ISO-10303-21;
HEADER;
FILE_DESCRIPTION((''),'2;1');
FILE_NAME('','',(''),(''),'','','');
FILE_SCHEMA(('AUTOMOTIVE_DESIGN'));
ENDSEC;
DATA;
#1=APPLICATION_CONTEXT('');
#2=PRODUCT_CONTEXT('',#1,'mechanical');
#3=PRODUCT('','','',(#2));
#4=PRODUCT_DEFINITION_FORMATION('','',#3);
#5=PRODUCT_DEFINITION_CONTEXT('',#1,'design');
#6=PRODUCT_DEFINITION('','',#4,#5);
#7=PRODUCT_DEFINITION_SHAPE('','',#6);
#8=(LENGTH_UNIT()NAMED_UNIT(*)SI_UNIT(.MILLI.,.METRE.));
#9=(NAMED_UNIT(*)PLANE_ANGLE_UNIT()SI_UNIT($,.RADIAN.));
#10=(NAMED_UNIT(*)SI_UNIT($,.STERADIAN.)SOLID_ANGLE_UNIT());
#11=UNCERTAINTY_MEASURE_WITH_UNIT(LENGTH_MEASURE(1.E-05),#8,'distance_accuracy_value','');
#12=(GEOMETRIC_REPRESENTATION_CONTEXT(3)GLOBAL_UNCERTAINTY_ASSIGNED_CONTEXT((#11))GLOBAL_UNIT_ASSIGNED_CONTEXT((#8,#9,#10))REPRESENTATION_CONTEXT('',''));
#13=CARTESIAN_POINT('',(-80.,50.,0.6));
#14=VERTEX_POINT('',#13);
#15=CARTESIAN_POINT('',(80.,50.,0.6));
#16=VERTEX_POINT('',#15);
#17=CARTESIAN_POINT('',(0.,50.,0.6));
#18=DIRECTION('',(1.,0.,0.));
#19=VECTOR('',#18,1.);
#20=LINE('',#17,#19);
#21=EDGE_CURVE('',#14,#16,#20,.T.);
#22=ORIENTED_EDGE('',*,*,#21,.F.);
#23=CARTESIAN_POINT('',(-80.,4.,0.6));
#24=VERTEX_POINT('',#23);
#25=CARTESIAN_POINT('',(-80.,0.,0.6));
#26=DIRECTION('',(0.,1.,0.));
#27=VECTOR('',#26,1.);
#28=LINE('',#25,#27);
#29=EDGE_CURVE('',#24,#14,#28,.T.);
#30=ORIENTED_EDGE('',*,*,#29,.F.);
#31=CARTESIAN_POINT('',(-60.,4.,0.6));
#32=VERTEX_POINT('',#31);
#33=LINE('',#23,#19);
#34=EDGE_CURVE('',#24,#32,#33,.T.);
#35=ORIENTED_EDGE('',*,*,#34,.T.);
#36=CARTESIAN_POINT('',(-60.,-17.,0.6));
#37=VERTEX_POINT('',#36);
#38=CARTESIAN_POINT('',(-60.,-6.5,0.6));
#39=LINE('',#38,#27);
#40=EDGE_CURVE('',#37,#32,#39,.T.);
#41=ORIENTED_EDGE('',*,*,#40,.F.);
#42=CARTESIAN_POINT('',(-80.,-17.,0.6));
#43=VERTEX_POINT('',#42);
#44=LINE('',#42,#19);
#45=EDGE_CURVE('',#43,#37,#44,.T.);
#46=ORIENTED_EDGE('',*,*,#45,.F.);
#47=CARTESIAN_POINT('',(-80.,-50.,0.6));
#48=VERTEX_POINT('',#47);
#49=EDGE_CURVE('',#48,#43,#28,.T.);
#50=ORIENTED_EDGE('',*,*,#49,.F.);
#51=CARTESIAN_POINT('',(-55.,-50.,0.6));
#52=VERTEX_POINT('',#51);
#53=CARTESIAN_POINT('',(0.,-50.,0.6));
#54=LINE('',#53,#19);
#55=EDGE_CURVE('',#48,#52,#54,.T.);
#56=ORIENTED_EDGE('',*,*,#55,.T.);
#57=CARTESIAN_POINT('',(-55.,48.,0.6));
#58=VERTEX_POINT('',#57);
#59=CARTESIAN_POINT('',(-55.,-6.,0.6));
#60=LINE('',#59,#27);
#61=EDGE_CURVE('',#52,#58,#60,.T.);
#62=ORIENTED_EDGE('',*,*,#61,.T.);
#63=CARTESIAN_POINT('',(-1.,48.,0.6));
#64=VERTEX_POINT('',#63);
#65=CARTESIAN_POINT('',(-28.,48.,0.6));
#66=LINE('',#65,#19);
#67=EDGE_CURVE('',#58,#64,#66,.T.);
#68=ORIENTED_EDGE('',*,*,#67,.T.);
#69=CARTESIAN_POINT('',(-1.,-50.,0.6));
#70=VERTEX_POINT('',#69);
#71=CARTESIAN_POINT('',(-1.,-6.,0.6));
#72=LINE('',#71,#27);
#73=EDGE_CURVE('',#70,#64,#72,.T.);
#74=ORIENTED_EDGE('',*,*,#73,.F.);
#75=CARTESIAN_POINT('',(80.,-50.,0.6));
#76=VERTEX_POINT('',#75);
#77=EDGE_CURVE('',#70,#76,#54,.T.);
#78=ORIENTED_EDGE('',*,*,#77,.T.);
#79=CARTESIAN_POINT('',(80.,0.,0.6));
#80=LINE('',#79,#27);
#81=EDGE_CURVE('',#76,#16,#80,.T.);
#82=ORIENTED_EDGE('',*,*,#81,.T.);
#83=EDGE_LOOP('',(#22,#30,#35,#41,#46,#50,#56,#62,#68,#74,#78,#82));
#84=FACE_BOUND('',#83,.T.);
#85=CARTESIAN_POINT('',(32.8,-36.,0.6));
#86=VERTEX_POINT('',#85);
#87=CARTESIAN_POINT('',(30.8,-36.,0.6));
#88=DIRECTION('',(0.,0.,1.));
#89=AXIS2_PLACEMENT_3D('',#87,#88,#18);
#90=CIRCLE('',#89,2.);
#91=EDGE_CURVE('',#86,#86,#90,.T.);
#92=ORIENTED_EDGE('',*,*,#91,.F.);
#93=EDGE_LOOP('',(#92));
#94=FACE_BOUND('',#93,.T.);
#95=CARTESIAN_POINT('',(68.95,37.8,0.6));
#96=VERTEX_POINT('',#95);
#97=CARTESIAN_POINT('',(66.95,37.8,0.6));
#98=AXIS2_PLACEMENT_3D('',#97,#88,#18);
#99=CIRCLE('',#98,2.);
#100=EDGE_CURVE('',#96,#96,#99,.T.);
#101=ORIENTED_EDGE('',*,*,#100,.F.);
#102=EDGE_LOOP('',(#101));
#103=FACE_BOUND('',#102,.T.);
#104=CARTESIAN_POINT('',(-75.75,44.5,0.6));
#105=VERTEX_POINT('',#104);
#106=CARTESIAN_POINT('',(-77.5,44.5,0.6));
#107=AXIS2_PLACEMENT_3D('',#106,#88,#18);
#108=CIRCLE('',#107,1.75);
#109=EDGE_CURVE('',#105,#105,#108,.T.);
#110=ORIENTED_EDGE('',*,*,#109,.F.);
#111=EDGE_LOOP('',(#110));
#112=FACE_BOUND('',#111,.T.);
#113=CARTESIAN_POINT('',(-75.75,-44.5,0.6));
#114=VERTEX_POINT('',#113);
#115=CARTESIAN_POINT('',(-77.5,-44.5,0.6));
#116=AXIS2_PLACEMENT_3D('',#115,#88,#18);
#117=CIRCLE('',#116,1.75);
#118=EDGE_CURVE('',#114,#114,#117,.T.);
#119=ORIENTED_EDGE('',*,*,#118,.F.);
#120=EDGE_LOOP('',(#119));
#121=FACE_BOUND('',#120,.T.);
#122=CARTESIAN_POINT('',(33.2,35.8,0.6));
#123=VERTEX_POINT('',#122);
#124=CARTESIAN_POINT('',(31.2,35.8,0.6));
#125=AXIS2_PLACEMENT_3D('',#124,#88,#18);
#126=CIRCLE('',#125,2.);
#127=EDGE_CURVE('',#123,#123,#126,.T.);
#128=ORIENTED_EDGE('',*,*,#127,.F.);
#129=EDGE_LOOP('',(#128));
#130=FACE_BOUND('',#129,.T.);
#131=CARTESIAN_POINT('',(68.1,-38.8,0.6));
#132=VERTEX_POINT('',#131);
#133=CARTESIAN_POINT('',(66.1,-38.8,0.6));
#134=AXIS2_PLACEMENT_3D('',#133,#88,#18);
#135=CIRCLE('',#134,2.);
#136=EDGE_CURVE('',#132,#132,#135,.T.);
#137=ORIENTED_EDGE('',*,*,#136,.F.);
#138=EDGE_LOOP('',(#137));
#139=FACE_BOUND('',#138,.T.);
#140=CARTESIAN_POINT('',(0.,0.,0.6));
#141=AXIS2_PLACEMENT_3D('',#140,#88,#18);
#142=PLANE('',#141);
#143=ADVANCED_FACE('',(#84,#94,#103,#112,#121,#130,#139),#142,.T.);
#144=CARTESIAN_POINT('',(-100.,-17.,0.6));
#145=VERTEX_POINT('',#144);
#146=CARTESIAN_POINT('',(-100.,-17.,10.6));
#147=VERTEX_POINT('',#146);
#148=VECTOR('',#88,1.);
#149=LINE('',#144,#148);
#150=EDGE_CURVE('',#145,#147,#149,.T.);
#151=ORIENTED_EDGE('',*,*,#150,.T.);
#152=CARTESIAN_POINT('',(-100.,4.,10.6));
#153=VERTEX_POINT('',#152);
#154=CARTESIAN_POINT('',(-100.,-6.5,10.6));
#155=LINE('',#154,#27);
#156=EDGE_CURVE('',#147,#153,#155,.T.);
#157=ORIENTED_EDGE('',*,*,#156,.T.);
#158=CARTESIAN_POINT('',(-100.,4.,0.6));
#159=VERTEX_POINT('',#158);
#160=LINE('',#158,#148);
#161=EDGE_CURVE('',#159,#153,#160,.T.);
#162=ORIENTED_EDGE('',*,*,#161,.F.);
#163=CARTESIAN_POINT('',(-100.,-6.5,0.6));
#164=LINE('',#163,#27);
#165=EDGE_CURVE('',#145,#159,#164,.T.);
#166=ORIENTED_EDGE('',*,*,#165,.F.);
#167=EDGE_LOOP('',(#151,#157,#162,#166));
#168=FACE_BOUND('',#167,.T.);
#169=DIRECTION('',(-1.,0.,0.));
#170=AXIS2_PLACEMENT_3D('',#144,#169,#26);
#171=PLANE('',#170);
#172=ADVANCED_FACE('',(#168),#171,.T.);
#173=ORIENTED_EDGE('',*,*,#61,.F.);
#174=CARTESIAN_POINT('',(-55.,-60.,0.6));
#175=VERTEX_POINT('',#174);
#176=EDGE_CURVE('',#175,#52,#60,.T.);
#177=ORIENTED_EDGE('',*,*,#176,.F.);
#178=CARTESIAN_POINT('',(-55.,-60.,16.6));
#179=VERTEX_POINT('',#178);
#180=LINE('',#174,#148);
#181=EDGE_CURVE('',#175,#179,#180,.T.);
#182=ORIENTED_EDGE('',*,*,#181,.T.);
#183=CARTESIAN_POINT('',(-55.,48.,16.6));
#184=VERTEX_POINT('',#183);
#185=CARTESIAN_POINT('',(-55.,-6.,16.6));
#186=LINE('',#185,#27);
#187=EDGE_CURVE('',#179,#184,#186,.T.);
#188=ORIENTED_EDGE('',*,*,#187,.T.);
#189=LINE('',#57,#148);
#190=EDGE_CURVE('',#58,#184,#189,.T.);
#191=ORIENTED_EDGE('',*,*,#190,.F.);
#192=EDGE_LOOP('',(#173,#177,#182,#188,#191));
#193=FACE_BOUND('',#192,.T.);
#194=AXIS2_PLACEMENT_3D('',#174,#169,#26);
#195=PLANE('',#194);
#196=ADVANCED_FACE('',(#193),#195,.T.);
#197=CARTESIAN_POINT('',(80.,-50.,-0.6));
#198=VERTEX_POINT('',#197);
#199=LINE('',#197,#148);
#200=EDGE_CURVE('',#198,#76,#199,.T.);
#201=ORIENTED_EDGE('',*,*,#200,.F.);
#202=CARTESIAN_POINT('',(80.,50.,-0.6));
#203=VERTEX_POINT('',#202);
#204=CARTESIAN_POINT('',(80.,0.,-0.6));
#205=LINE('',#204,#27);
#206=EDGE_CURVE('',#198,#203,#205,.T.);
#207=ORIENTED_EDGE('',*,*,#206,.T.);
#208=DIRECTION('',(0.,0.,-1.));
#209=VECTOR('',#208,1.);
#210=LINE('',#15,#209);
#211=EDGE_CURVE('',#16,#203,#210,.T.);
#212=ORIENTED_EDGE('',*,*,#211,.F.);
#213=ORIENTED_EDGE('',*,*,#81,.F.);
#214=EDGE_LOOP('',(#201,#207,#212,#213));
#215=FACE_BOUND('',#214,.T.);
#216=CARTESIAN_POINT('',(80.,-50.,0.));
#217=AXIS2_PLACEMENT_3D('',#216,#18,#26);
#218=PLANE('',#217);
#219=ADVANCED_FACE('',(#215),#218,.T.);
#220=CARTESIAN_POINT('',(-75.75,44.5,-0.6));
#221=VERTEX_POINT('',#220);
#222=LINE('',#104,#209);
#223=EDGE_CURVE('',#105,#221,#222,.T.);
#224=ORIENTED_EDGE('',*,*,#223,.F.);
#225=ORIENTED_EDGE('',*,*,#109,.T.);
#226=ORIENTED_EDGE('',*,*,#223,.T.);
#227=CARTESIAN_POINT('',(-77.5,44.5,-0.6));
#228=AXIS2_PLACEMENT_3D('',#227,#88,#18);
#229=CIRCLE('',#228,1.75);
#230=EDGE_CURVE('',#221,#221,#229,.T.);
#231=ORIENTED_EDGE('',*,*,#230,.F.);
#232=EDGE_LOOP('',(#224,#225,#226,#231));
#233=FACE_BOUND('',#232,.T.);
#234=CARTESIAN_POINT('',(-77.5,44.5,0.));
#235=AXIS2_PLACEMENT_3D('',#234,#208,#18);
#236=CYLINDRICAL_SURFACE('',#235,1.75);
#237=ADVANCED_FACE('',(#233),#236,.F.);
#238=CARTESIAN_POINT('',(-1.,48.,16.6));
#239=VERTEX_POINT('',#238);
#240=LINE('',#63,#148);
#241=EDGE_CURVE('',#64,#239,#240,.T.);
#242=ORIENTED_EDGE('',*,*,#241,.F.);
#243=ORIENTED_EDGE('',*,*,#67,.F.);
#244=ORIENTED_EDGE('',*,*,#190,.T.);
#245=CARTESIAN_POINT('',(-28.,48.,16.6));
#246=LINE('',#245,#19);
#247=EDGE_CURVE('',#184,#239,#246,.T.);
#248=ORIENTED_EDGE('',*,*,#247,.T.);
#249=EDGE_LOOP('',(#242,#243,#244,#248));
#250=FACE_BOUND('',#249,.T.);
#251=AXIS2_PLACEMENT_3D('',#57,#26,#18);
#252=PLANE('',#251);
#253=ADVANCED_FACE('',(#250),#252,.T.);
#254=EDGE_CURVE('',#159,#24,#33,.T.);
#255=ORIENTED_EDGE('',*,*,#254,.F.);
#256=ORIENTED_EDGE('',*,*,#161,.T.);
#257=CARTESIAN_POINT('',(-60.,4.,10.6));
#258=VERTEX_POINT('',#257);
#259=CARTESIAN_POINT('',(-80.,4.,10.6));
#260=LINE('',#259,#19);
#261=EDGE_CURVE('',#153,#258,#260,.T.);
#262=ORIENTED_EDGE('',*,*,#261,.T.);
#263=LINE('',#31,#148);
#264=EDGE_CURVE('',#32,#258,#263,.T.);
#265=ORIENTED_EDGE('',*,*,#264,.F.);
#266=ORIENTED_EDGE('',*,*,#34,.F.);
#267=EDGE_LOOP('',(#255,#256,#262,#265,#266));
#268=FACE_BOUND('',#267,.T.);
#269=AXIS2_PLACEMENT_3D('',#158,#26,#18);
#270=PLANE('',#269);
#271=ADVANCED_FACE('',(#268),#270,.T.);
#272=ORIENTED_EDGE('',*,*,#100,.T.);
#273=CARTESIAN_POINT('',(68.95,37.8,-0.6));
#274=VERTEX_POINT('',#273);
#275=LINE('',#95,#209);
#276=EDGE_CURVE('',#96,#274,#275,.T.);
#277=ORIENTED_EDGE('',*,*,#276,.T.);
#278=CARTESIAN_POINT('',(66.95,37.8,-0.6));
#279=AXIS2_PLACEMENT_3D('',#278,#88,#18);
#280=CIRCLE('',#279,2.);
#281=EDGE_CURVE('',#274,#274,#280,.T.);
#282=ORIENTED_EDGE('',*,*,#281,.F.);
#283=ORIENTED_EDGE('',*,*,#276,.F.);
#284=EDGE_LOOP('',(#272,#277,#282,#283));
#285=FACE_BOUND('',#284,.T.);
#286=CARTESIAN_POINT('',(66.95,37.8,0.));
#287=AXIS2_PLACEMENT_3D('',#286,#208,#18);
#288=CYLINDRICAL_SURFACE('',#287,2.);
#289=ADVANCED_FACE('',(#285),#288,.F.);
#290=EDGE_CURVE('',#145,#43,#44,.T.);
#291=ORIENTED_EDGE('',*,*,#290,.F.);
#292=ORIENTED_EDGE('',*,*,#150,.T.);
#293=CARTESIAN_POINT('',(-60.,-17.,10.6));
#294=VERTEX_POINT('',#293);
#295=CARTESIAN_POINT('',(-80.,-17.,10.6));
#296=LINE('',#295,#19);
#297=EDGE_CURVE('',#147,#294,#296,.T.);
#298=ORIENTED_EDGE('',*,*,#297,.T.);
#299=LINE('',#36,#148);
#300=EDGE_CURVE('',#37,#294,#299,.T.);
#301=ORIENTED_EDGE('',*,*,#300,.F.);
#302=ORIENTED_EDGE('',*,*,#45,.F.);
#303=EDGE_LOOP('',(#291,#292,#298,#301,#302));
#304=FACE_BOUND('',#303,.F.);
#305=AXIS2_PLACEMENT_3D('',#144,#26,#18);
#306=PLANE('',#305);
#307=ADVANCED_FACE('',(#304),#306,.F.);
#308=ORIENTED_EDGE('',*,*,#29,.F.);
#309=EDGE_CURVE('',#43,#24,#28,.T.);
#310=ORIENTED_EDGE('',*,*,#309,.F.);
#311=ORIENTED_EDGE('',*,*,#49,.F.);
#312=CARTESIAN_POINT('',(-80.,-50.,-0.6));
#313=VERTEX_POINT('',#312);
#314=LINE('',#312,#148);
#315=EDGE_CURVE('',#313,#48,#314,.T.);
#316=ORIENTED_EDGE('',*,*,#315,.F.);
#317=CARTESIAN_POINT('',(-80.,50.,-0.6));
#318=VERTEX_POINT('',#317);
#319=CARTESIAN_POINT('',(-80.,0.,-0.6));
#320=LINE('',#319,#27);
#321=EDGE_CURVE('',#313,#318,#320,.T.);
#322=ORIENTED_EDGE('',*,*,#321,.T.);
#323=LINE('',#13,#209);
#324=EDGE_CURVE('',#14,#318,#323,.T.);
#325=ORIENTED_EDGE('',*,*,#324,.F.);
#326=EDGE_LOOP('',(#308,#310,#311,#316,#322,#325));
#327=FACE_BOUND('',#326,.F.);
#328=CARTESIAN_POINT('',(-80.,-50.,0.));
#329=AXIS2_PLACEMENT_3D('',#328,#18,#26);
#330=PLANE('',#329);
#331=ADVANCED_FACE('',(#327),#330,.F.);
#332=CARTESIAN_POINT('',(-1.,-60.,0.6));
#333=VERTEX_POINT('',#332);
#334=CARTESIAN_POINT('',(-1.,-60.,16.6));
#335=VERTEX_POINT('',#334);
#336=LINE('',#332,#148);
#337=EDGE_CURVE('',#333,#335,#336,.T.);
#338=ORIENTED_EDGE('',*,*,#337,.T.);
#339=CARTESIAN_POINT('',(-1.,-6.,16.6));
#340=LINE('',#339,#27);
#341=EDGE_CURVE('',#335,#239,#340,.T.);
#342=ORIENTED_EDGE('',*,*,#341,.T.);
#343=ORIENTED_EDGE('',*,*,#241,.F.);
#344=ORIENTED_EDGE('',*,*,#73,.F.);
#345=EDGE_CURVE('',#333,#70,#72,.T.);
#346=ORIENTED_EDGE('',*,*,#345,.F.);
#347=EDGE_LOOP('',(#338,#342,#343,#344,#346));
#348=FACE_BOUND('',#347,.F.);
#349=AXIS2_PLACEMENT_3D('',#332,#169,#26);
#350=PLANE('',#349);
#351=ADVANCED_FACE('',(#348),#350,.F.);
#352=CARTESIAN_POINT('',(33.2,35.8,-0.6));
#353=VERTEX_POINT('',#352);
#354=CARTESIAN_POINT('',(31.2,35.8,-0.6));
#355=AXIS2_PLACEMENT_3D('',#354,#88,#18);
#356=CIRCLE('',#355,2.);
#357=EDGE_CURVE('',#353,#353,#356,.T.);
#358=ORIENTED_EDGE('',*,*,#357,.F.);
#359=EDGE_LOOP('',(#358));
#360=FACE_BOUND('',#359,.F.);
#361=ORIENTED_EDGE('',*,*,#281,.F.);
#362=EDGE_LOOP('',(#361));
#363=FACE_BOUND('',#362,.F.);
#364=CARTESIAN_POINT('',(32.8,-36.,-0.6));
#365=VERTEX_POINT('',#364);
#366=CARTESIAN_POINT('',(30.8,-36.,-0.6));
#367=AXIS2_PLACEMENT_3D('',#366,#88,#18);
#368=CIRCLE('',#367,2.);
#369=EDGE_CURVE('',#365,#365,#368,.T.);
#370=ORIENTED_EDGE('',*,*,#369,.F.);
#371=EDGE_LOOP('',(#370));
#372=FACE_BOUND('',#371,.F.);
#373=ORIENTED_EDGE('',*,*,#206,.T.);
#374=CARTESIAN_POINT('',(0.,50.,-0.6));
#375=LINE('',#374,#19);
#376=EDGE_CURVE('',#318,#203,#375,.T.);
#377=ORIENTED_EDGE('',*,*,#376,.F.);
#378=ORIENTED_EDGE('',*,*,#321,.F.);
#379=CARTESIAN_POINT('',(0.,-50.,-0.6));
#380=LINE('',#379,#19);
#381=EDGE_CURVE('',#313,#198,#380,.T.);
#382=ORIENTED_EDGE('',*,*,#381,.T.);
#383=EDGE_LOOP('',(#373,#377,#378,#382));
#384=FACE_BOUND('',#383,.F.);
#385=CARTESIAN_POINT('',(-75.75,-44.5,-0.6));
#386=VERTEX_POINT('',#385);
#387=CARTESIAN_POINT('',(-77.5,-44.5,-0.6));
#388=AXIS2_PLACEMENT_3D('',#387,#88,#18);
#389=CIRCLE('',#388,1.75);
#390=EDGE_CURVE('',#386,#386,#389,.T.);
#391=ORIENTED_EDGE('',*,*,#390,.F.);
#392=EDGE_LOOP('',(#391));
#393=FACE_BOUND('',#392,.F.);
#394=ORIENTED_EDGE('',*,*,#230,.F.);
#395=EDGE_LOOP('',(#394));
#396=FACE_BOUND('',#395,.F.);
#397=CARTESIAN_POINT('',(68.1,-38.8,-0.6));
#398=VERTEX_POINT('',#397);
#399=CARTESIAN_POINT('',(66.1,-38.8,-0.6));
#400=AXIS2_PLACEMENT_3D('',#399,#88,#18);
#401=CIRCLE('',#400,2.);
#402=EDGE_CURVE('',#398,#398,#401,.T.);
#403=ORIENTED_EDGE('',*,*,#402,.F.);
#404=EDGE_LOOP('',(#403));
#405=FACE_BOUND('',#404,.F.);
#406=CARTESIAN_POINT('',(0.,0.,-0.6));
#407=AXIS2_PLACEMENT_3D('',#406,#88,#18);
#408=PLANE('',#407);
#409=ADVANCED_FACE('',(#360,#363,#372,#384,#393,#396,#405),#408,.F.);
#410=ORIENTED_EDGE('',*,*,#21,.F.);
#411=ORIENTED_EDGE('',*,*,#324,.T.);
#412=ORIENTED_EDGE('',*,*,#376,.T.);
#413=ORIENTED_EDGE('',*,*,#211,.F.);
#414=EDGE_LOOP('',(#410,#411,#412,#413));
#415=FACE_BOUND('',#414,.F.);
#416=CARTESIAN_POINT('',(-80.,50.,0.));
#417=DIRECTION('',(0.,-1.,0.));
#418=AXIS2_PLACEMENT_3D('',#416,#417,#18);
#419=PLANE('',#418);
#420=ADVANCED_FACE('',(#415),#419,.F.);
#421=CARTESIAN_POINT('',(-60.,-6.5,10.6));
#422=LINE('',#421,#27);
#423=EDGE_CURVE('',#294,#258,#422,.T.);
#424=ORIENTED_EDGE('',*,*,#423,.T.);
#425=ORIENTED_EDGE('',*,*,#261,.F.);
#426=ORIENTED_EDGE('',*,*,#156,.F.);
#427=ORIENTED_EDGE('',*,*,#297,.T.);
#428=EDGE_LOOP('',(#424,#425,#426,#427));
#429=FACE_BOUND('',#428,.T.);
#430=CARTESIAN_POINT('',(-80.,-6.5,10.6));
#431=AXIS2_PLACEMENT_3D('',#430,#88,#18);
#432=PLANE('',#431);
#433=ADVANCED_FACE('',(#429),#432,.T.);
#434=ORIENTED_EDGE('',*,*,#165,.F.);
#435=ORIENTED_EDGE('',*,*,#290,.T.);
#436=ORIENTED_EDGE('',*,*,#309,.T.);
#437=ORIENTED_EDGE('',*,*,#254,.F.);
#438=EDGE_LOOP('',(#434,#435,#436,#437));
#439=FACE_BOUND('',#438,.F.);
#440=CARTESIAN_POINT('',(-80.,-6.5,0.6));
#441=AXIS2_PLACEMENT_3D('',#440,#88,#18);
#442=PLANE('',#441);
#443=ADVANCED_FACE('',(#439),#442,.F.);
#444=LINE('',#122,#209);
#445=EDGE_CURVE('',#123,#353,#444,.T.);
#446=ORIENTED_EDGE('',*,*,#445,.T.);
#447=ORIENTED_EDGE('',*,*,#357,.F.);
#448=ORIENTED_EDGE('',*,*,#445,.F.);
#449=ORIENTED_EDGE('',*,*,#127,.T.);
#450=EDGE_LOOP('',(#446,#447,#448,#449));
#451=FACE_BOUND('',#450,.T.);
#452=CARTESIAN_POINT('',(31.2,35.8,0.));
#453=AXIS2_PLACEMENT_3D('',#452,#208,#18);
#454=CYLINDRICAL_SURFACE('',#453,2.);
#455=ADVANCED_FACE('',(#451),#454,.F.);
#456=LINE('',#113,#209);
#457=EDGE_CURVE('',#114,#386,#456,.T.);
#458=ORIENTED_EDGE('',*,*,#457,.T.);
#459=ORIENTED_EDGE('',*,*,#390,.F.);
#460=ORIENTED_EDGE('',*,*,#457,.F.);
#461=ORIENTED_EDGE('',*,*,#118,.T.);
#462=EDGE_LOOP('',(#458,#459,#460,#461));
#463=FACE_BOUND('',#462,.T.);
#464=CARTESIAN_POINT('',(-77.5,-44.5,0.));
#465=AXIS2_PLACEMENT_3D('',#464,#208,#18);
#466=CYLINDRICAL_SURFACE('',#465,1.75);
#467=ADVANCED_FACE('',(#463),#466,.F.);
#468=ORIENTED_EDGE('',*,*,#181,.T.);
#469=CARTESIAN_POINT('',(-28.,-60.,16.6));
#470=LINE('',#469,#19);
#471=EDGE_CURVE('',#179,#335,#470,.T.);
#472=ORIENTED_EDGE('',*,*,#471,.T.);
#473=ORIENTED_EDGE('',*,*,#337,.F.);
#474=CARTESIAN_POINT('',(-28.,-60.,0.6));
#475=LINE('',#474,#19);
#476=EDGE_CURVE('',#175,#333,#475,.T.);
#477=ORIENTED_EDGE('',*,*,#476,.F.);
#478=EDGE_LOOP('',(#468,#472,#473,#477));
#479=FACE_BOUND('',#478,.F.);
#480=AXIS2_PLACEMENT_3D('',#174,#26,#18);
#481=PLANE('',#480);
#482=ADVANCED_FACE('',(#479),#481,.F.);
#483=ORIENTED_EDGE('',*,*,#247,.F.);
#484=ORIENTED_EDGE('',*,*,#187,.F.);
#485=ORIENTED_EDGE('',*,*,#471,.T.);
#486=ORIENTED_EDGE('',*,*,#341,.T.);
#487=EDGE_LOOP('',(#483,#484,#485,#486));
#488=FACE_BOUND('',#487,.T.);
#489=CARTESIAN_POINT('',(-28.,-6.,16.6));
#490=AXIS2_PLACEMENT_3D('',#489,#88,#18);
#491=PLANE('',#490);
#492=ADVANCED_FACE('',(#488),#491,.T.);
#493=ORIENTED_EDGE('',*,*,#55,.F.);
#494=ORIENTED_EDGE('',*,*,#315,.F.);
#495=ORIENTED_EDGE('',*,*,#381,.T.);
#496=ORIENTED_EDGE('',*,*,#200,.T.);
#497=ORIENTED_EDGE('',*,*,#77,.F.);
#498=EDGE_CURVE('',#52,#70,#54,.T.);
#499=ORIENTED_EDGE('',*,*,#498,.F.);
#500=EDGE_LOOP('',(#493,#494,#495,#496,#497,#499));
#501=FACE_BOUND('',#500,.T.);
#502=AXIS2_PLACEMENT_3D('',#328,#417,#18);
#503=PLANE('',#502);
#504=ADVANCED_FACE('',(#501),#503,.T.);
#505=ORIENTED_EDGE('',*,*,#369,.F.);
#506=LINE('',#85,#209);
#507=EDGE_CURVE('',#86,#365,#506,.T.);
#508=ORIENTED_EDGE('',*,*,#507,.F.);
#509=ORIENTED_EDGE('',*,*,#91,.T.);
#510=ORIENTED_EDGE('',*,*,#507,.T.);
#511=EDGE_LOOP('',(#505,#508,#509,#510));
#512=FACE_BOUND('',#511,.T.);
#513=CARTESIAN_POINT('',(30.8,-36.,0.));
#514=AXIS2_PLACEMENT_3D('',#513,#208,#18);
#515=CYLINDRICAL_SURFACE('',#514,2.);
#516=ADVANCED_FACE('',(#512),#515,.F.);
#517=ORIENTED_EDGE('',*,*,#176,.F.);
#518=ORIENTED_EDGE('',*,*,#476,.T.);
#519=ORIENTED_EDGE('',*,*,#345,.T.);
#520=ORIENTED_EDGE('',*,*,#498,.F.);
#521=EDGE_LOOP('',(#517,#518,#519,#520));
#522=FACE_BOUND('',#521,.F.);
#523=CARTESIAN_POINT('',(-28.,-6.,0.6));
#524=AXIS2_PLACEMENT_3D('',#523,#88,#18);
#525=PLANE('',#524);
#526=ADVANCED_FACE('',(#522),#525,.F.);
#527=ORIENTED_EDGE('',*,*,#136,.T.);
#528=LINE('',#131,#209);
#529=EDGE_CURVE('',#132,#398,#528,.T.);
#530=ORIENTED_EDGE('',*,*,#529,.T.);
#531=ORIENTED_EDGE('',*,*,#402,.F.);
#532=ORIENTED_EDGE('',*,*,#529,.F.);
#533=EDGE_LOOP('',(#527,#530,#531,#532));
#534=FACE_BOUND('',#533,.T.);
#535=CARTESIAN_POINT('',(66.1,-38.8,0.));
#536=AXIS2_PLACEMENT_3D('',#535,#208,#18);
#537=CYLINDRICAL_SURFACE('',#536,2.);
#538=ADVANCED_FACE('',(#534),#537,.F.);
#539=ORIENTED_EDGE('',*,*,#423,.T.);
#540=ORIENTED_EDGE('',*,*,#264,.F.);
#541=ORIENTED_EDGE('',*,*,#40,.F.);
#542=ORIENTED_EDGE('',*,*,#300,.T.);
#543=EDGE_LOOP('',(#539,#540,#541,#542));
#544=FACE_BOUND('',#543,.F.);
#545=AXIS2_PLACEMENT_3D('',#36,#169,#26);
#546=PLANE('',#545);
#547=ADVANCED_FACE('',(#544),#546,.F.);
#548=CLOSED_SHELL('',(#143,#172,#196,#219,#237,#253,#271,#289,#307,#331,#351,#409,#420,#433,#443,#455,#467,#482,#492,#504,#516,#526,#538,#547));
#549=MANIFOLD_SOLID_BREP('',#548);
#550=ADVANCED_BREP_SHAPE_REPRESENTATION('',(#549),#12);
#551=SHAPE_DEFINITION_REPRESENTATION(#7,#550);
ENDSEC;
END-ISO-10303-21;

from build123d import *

# Parameters (mm, degrees)
F1_W     = 160
F1_H     = 100
F1_R     = 1.75
F1_R_2   = 2
F2_DEPTH = 0.6
F3_W     = 54
F3_H     = 108
F4_DEPTH = 16
F5_W     = 40
F5_H     = 21
F6_DEPTH = 10


with BuildPart() as f2:
    # F1 (on Top) → F2 (new body, symmetric)
    with BuildSketch(Plane.XY):
        Rectangle(F1_W, F1_H)
        with Locations((-77.5, -44.5)):
            Circle(F1_R, mode=Mode.SUBTRACT)
        with Locations((30.8, -36)):
            Circle(F1_R_2, mode=Mode.SUBTRACT)
        with Locations((66.1, -38.8)):
            Circle(F1_R_2, mode=Mode.SUBTRACT)
        with Locations((-77.5, 44.5)):
            Circle(F1_R, mode=Mode.SUBTRACT)
        with Locations((31.2, 35.8)):
            Circle(F1_R_2, mode=Mode.SUBTRACT)
        with Locations((66.95, 37.8)):
            Circle(F1_R_2, mode=Mode.SUBTRACT)
    extrude(amount=F2_DEPTH, both=True)

    # F3 (on face) → F4 (join)
    with BuildSketch(Plane.XY.offset(0.6)):
        with Locations((-28, -6)):
            Rectangle(F3_W, F3_H)
    extrude(amount=F4_DEPTH)

    # F5 (on face) → F6 (join)
    with BuildSketch(Plane.XY.offset(0.6)):
        with Locations((-80, -6.5)):
            Rectangle(F5_W, F5_H)
    extrude(amount=F6_DEPTH)


solid = f2.part
